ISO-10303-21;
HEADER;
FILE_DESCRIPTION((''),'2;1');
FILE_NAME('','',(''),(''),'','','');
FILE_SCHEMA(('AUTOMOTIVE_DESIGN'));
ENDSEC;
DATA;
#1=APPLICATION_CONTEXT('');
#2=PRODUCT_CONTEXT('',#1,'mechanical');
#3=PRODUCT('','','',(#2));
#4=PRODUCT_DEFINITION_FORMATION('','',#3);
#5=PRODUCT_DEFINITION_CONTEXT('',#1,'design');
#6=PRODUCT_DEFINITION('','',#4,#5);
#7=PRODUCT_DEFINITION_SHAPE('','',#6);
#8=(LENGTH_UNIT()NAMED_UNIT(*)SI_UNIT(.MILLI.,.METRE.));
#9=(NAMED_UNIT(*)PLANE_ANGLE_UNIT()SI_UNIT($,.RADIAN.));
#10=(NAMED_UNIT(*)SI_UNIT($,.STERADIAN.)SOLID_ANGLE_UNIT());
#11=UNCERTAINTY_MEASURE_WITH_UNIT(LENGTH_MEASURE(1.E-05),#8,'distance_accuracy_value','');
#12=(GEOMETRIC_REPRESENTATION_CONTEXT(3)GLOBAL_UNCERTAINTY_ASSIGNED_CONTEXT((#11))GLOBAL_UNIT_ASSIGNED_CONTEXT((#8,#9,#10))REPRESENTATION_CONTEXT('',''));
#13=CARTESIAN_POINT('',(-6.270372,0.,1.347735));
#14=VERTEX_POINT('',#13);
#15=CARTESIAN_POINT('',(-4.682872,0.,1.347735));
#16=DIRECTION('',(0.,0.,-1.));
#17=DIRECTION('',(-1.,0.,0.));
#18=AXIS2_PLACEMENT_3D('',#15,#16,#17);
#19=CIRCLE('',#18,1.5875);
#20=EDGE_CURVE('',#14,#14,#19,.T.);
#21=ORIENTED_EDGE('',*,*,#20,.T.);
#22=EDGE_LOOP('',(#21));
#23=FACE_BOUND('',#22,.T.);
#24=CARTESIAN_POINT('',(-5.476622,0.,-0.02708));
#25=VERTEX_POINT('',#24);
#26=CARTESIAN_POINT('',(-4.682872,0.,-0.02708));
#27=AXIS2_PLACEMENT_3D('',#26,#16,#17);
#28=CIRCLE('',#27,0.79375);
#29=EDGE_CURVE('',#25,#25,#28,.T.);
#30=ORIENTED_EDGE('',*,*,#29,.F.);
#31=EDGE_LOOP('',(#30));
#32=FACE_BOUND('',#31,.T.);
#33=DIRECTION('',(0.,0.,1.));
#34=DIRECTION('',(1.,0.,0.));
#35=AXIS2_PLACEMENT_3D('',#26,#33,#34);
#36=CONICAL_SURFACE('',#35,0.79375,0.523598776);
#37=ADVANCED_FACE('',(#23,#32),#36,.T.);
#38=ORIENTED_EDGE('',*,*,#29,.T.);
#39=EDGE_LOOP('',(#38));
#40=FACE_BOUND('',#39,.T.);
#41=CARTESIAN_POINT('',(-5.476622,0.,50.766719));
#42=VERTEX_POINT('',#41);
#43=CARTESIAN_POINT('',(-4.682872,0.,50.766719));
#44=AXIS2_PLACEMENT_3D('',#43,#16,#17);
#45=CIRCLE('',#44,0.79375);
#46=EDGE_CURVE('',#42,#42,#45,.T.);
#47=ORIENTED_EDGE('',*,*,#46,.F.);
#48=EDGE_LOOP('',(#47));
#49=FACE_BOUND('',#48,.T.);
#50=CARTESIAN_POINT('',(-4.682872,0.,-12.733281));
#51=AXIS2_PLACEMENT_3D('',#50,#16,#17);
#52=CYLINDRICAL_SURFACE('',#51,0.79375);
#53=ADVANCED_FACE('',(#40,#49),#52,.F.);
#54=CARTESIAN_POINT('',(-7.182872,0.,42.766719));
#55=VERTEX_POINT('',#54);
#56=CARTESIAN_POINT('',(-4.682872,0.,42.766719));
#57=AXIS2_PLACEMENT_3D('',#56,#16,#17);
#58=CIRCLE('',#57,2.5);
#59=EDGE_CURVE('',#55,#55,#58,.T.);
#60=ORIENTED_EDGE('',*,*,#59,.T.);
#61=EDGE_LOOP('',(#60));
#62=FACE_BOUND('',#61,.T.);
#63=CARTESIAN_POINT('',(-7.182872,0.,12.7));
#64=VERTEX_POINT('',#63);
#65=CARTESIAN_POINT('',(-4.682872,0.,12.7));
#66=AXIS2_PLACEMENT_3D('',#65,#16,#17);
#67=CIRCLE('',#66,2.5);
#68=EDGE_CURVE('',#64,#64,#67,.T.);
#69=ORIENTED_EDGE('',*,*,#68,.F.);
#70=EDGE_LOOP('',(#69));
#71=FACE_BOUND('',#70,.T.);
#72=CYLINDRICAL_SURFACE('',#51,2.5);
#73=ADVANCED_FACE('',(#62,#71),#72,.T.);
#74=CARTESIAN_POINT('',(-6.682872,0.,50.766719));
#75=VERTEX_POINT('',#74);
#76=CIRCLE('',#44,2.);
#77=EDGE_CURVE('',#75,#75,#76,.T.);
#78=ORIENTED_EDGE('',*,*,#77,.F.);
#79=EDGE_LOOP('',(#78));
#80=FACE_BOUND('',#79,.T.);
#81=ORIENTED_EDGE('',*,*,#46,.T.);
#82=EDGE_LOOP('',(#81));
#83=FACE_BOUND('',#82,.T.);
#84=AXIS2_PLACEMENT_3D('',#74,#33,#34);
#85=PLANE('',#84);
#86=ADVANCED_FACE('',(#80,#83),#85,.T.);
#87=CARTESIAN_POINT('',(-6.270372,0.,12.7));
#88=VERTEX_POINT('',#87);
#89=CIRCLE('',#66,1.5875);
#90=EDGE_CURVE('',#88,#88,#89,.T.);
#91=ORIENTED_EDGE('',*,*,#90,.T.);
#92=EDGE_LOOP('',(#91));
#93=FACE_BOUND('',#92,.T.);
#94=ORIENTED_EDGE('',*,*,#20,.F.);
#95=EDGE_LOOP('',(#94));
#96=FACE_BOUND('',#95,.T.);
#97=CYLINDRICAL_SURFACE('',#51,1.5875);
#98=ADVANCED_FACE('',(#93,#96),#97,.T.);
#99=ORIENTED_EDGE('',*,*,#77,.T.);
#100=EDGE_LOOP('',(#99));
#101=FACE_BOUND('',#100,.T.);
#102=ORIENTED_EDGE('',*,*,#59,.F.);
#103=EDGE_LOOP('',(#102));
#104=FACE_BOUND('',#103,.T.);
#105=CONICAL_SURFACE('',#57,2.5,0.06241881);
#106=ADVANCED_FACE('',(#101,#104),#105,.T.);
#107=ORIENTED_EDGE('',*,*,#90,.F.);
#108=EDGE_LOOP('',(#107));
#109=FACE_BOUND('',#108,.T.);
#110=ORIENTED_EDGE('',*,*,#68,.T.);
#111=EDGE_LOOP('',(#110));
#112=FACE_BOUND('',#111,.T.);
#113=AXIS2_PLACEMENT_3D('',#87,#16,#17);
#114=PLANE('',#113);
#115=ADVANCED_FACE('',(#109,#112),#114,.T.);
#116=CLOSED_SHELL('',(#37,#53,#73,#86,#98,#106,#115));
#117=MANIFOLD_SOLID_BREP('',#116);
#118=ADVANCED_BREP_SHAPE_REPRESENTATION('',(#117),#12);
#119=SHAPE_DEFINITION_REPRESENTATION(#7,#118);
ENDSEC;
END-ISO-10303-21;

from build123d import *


with BuildPart() as part:
    # Sketch1 → Revolve1 (revolve)
    with BuildSketch(Plane(origin=(0, 0, 0), x_dir=(1, 0, 0), z_dir=(0, 1, 0))):
        Polygon((-5.47662222, 0.027079896), (-5.47662222, -50.766718553), (-6.68287222, -50.766718553), (-7.18287222, -42.766718553), (-7.18287222, -12.7), (-6.27037222, -12.7), (-6.27037222, -1.347735432), align=None)
    revolve(axis=Axis((-4.68287222, 0, -12.733281447), (0, 0, 1)))


solid = part.part
